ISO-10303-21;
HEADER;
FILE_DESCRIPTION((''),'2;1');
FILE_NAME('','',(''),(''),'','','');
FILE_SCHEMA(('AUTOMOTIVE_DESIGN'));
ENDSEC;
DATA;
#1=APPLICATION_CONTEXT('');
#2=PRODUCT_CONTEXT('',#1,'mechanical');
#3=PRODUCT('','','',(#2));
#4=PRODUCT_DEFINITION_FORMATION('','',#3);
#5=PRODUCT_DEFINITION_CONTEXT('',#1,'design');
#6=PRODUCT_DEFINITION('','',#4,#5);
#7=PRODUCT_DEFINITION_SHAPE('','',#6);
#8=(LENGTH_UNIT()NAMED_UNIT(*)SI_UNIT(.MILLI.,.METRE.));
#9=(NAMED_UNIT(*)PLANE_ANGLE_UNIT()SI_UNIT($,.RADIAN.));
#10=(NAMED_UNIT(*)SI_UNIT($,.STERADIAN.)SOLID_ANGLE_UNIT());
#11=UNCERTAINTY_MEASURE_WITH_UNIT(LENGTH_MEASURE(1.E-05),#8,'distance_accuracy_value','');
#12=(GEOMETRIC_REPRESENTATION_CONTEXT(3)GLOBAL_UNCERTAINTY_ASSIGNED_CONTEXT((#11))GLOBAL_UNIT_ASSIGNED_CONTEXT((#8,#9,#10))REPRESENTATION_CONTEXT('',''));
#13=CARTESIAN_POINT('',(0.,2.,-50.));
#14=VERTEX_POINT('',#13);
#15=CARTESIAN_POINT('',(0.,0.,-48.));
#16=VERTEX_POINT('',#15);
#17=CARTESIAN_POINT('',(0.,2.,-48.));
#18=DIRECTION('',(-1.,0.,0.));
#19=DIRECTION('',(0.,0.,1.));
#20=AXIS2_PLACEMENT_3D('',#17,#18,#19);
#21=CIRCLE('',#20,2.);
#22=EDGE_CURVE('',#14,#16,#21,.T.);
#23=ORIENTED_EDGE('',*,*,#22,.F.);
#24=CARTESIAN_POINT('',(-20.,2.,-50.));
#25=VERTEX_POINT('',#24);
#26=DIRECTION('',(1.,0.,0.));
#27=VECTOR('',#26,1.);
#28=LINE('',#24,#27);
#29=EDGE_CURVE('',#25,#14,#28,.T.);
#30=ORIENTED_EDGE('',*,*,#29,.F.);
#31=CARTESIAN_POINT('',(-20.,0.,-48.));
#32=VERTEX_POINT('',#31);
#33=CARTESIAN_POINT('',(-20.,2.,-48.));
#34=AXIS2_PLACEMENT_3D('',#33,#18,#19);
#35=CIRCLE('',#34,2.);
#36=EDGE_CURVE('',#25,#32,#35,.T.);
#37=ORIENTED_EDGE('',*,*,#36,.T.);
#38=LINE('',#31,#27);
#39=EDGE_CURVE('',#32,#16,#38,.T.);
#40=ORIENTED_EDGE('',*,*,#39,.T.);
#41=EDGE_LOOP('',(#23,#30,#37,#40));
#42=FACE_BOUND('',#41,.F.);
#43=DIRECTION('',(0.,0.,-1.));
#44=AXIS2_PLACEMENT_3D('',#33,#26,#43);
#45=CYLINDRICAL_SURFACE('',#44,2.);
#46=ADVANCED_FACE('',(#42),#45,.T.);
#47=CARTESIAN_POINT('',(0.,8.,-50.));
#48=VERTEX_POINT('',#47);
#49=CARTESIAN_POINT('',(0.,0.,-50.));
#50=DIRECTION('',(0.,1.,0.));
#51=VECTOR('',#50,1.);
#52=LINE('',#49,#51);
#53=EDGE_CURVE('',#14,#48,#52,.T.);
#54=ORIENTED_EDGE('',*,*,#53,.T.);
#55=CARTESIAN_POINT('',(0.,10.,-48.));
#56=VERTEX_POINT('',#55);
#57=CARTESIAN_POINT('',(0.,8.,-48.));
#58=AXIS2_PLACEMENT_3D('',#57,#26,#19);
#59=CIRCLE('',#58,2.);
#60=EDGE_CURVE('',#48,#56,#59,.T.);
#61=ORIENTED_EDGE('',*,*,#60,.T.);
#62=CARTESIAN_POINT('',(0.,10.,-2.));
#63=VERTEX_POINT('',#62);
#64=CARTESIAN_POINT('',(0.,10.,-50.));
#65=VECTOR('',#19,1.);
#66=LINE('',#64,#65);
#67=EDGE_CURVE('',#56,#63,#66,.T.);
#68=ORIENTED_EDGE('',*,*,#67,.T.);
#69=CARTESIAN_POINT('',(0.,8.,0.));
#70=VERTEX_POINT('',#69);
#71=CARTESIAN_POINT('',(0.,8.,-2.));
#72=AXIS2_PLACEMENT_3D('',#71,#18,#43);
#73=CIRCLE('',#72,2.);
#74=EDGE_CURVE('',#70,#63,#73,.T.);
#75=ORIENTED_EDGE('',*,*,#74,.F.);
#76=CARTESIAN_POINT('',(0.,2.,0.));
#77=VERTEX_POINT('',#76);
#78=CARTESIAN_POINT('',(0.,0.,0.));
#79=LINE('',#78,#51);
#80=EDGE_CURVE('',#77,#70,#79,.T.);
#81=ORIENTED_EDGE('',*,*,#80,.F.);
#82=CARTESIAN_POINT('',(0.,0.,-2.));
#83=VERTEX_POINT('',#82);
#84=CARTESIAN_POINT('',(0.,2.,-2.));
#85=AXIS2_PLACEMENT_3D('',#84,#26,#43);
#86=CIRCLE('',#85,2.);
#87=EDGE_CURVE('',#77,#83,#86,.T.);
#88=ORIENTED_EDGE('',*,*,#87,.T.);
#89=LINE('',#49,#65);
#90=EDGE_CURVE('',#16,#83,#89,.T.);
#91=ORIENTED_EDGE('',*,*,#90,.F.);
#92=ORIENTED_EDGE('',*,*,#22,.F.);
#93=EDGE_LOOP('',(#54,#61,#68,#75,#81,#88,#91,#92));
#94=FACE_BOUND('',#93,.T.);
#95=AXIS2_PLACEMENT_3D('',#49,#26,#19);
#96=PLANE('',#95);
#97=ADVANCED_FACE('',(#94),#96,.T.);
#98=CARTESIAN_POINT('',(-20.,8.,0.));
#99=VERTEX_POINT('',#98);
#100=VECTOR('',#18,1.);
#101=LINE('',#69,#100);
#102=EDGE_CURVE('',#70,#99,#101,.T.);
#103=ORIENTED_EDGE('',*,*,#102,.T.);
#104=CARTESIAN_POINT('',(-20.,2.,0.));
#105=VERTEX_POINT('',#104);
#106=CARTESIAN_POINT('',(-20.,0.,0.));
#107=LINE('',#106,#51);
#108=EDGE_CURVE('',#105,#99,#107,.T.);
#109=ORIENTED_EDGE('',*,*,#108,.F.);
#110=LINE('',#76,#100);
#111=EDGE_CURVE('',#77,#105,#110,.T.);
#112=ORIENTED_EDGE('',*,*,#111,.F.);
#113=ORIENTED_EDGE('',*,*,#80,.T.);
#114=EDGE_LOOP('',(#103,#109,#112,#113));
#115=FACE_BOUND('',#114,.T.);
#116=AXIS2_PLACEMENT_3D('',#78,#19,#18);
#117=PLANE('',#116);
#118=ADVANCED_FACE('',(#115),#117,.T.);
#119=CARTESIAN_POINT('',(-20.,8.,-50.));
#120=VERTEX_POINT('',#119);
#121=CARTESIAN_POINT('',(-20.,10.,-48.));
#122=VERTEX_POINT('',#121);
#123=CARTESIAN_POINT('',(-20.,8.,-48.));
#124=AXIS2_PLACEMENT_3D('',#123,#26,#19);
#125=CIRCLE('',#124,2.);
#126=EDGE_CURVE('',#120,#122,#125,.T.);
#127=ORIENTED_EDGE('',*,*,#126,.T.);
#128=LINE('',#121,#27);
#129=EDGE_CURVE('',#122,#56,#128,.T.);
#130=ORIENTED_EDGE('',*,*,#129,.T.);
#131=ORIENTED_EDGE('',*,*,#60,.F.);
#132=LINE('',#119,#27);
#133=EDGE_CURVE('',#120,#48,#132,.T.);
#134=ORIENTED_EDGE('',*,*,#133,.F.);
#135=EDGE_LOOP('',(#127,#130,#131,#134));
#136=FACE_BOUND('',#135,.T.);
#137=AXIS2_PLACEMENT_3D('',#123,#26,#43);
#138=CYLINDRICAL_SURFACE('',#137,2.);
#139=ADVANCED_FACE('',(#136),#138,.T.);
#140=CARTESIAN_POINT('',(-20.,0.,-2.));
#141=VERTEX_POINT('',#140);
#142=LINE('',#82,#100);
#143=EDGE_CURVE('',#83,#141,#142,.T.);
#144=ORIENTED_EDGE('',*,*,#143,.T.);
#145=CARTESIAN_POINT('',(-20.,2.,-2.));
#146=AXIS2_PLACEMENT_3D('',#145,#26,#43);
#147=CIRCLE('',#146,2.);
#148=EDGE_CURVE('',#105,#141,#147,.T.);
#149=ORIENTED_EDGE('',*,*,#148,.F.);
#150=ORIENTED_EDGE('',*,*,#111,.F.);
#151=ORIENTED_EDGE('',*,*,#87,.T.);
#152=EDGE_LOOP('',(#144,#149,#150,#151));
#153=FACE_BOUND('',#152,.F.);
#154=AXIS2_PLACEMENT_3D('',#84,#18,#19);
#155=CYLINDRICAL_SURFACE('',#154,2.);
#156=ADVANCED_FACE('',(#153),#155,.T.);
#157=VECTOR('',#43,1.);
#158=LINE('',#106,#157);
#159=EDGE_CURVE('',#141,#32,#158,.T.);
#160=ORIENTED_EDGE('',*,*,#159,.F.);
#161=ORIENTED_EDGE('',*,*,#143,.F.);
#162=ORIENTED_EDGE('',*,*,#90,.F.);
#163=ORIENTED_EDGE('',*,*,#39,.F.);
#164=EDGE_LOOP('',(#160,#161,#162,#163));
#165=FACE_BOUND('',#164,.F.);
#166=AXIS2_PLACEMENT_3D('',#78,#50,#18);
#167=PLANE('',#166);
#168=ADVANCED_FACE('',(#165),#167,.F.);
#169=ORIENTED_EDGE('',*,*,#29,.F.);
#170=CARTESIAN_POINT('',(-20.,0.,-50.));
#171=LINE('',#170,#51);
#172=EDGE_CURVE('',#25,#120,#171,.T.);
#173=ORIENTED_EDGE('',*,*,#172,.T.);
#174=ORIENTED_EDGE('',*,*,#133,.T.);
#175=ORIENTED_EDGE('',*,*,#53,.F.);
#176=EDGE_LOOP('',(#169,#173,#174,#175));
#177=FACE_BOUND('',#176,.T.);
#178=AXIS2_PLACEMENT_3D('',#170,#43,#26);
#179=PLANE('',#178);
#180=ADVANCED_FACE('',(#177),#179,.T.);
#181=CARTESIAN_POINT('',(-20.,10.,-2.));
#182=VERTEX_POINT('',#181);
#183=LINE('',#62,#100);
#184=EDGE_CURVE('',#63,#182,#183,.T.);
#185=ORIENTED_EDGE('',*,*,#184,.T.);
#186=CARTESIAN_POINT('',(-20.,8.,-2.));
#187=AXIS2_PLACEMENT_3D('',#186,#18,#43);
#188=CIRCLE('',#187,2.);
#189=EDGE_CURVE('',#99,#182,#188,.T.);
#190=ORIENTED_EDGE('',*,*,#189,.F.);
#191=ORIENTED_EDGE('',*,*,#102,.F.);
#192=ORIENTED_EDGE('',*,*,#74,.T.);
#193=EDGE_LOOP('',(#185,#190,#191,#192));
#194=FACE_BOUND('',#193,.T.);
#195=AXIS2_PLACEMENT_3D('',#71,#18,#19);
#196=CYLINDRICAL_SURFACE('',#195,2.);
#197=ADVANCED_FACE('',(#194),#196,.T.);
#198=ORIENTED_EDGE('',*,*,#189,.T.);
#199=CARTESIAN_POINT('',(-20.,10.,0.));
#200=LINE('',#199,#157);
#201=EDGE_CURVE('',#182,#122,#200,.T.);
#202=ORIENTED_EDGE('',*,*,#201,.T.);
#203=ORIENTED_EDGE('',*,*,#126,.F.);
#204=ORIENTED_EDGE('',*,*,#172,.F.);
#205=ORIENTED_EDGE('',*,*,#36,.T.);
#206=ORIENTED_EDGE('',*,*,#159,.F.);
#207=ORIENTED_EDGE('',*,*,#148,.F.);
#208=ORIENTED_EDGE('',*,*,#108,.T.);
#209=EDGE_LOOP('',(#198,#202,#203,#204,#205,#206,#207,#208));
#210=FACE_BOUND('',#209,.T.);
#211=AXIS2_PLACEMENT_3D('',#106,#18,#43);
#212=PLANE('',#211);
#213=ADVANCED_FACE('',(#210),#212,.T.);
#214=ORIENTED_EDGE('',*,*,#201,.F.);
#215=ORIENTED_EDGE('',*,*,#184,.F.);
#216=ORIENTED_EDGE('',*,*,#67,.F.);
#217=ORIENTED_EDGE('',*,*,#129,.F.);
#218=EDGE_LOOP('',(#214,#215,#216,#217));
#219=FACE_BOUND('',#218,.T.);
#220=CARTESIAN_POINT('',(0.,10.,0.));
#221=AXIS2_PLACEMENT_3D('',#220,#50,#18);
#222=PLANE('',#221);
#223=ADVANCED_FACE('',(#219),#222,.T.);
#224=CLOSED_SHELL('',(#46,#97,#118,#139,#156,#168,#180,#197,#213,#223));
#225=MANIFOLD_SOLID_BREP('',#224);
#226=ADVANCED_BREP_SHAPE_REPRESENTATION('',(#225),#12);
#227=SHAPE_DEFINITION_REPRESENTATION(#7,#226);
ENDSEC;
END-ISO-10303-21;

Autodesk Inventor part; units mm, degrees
ref_plane "YZ Plane" through (0, 0, 0) normal (1, 0, 0) x (0, 1, 0)
ref_plane "XZ Plane" through (0, 0, 0) normal (0, 1, 0) x (-1, 0, 0)
ref_plane "XY Plane" through (0, 0, 0) normal (0, 0, 1) x (1, 0, 0)
sketch "Szkic1" plane through (0, 0, 0) normal (0, 1, 0) x (-1, 0, 0)
  line L0 (0, 0) -> (20, 0)
  line L1 (20, 0) -> (20, -50)
  line L2 (20, -50) -> (0, -50)
  line L3 (0, -50) -> (0, 0)
  dimension "d0" = 20
  dimension "d1" = 50
extrude "Wyciągnięcie proste1" add sketch "Szkic1" along normal blind 10
fillet "Zaokrąglenie1" radius 2 4 edges at (-10, 10, 0) (-10, 0, 0) (-10, 10, -50) (-10, 0, -50)
properties part number "battery"
